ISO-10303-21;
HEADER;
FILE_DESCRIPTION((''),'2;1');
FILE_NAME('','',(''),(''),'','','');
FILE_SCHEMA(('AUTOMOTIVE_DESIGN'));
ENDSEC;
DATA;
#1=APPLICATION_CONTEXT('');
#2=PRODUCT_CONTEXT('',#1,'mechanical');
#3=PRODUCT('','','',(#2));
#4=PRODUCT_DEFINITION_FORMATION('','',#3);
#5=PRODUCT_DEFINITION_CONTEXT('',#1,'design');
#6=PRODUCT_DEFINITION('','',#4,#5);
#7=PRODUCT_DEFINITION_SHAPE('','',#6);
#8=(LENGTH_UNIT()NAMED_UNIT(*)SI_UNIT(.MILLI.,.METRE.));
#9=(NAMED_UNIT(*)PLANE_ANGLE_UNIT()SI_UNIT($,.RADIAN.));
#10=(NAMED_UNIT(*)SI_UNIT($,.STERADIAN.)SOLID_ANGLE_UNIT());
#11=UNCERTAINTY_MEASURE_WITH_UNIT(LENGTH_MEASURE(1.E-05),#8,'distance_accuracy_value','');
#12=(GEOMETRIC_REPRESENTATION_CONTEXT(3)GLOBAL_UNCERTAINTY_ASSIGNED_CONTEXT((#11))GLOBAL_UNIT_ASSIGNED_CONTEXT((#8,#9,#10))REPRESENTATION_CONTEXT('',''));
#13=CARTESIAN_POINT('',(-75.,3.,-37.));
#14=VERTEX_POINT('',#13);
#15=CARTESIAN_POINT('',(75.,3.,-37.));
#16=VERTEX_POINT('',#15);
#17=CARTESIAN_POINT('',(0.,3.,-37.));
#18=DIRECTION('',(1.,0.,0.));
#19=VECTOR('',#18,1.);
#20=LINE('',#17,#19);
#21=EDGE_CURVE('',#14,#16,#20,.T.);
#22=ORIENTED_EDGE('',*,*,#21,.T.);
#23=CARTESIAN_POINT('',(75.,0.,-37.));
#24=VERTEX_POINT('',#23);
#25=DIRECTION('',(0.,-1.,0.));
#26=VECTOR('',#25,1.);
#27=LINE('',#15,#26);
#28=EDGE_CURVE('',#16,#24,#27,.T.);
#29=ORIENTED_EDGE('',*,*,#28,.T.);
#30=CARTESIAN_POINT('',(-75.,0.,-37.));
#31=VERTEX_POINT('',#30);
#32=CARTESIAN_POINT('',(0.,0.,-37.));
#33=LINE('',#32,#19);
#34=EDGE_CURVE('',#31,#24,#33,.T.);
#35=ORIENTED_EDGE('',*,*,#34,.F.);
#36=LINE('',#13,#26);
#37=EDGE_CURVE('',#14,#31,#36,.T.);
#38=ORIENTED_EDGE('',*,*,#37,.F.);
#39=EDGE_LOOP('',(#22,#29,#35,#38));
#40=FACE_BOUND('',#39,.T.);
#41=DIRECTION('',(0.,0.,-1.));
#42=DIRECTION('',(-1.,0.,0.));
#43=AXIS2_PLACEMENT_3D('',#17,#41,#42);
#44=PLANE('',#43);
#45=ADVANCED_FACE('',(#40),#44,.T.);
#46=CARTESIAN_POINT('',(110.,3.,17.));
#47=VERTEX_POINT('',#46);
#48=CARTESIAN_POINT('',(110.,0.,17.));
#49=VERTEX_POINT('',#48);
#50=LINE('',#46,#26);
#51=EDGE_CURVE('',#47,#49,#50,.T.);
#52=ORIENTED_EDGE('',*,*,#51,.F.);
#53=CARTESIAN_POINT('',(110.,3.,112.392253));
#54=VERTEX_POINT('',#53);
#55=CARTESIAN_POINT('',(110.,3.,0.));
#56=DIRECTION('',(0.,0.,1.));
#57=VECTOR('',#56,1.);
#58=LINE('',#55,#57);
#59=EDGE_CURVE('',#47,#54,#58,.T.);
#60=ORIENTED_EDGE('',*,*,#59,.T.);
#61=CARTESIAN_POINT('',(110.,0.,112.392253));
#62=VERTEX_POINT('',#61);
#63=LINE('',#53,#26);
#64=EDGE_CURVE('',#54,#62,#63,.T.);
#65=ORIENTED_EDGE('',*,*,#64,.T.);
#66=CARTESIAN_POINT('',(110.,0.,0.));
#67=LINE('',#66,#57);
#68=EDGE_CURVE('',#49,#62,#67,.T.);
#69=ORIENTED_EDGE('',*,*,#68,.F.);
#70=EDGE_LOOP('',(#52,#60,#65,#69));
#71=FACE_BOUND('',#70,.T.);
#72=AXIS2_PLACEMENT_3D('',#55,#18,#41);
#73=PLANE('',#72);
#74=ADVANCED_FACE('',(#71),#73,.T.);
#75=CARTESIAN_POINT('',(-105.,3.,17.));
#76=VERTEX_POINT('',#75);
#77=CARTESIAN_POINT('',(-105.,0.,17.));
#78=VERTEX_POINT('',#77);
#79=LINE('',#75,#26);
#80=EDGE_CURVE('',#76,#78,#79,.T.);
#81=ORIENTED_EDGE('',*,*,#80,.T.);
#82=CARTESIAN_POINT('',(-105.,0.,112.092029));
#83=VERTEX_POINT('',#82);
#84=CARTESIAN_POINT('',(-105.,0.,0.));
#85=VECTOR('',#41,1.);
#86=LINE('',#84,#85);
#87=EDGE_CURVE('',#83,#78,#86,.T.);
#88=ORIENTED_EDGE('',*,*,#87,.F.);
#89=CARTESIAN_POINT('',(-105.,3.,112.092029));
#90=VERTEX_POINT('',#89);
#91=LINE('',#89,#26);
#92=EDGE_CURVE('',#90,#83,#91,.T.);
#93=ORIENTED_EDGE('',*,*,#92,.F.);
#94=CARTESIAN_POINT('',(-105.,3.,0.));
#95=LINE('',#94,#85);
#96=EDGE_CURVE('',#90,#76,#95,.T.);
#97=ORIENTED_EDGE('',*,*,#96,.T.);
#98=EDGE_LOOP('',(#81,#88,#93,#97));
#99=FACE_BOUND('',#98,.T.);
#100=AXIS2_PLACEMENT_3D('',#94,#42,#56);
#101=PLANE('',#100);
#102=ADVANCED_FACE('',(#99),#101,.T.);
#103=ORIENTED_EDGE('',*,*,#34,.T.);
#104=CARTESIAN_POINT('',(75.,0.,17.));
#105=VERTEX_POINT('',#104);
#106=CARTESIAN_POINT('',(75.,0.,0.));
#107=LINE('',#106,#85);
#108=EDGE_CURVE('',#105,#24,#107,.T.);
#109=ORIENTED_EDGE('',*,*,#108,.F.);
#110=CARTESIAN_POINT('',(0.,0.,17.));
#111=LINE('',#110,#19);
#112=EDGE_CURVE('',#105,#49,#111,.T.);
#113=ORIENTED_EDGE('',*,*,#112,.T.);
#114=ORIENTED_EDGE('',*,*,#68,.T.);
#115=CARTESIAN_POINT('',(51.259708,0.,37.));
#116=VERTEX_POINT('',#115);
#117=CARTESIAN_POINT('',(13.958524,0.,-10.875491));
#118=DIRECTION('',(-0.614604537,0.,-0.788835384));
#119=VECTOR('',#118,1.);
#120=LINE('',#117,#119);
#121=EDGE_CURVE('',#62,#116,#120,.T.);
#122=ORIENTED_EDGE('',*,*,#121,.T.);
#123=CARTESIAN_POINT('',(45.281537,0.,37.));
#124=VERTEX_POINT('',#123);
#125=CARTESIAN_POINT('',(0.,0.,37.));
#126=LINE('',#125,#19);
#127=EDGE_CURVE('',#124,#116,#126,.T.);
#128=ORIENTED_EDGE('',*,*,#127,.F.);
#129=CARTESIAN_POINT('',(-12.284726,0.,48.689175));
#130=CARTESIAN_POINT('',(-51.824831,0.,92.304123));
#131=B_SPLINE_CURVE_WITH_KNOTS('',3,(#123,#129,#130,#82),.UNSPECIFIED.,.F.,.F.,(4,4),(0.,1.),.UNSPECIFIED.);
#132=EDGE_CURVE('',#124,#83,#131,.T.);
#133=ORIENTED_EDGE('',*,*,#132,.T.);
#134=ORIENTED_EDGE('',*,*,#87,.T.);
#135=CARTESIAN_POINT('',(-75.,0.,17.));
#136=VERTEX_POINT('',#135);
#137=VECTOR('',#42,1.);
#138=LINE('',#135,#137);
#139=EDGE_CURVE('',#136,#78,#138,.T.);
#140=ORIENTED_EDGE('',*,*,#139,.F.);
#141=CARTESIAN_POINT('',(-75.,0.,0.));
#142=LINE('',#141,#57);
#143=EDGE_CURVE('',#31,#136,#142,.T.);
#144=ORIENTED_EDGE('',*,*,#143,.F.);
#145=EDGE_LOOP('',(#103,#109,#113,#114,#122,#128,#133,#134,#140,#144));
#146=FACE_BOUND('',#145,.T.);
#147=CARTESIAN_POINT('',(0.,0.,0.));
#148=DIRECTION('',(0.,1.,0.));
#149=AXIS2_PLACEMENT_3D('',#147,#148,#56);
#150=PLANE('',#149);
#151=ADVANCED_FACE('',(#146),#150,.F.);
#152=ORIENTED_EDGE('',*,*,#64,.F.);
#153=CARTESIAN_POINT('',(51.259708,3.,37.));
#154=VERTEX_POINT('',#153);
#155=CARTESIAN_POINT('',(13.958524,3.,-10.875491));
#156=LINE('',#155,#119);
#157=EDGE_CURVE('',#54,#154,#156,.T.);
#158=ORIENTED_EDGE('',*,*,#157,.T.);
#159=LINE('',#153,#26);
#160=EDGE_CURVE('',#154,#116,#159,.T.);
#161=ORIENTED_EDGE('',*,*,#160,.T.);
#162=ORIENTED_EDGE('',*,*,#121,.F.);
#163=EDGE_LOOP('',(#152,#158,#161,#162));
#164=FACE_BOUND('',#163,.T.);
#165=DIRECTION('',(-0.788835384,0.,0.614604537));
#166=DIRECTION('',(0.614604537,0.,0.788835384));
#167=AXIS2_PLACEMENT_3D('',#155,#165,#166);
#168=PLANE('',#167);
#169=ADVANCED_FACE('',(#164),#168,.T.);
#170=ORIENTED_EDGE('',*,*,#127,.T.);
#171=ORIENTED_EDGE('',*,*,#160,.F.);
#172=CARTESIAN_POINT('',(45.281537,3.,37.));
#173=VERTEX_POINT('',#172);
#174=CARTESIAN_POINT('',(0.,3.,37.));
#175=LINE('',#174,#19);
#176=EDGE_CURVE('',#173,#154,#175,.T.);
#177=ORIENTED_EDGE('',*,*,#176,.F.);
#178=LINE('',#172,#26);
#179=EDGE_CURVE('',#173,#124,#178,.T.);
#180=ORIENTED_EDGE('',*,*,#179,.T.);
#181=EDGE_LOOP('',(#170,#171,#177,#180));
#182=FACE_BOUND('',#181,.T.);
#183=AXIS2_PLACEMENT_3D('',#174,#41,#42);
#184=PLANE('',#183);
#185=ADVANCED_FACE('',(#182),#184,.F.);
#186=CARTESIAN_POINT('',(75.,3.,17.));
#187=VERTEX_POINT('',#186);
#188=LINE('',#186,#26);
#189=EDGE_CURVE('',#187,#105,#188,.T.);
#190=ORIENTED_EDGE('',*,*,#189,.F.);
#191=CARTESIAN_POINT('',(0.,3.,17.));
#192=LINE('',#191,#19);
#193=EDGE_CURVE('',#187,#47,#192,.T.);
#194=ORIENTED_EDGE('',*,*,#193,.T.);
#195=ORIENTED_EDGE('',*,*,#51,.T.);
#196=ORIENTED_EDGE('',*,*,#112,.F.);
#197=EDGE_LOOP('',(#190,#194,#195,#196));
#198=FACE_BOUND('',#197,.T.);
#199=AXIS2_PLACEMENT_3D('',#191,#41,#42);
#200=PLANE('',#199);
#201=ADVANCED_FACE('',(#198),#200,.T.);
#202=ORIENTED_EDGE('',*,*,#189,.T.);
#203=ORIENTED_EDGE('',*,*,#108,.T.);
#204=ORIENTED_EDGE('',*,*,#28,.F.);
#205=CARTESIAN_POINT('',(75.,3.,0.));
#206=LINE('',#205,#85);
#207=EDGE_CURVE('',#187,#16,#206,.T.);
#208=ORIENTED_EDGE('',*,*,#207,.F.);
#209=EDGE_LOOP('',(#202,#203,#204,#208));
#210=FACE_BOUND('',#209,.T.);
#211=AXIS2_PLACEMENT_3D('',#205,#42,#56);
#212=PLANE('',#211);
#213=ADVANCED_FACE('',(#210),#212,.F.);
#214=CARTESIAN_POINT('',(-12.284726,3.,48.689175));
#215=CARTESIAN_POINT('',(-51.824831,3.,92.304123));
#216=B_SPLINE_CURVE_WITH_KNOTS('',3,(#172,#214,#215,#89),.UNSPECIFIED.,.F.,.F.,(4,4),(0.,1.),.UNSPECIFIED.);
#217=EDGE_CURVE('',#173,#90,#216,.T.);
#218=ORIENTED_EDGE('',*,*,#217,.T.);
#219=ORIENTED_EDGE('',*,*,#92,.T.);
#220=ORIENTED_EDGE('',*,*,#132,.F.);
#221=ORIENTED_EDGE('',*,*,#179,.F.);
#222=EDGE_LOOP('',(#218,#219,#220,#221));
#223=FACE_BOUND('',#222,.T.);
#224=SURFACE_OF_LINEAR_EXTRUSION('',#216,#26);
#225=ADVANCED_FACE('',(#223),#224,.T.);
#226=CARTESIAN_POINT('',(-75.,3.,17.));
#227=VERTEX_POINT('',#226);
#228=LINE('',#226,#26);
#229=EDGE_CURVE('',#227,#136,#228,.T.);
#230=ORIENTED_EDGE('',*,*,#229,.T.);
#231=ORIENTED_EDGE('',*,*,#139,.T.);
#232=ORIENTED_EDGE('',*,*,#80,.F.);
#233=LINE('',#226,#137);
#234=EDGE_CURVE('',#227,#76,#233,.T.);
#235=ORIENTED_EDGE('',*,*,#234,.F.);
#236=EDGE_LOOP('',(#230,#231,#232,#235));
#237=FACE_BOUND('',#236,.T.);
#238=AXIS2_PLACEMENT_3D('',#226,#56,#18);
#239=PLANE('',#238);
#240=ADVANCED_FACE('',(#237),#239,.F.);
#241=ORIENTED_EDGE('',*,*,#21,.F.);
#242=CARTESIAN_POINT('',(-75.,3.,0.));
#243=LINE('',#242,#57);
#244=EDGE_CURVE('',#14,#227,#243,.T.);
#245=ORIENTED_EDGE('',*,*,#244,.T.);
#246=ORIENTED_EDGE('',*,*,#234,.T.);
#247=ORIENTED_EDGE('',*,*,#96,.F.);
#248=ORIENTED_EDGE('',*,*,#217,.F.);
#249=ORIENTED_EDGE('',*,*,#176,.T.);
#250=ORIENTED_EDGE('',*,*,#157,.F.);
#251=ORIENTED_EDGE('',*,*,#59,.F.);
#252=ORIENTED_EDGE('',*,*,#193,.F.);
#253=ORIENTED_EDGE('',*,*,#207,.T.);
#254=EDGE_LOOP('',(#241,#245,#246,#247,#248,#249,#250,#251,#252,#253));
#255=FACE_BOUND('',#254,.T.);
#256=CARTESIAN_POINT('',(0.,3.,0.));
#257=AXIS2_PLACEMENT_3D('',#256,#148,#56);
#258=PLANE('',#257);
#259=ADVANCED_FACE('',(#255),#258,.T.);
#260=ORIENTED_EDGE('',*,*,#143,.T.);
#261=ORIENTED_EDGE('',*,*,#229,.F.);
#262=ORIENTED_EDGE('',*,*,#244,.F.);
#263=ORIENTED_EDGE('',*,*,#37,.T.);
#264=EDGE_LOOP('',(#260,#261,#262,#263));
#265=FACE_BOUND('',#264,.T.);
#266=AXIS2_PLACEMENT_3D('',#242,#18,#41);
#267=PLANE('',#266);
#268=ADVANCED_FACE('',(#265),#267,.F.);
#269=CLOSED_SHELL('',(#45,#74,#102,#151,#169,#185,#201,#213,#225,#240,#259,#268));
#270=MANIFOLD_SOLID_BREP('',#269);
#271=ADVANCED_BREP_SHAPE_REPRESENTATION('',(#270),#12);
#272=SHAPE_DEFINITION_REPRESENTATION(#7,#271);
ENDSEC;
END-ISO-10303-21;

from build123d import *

# Parameters (mm, degrees)
BOSS_EXTRUDE1_DEPTH = 3


with BuildPart() as part:
    # Sketch1 → Boss-Extrude1 (new body)
    with BuildSketch(Plane(origin=(0, 0, 0), x_dir=(1, 0, 0), z_dir=(0, 1, 0))):
        with BuildLine():
            add(Edge.make_bspline(
                [(45.281536872, -37), (-12.284726177, -48.689174516), (-51.82483075, -92.30412262), (-105, -112.092029096)],
                knots=[0, 0, 0, 0, 1, 1, 1, 1], degree=3))
            Line((45.281536872, -37), (51.259707723, -37))
            Line((51.259707723, -37), (110, -112.392253356))
            Line((110, -112.392253356), (110, -17))
            Line((110, -17), (75, -17))
            Line((75, -17), (75, 37))
            Line((75, 37), (-75, 37))
            Line((-75, 37), (-75, -17))
            Line((-75, -17), (-105, -17))
            Line((-105, -17), (-105, -112.092029096))
        make_face()
    extrude(amount=BOSS_EXTRUDE1_DEPTH)


solid = part.part
